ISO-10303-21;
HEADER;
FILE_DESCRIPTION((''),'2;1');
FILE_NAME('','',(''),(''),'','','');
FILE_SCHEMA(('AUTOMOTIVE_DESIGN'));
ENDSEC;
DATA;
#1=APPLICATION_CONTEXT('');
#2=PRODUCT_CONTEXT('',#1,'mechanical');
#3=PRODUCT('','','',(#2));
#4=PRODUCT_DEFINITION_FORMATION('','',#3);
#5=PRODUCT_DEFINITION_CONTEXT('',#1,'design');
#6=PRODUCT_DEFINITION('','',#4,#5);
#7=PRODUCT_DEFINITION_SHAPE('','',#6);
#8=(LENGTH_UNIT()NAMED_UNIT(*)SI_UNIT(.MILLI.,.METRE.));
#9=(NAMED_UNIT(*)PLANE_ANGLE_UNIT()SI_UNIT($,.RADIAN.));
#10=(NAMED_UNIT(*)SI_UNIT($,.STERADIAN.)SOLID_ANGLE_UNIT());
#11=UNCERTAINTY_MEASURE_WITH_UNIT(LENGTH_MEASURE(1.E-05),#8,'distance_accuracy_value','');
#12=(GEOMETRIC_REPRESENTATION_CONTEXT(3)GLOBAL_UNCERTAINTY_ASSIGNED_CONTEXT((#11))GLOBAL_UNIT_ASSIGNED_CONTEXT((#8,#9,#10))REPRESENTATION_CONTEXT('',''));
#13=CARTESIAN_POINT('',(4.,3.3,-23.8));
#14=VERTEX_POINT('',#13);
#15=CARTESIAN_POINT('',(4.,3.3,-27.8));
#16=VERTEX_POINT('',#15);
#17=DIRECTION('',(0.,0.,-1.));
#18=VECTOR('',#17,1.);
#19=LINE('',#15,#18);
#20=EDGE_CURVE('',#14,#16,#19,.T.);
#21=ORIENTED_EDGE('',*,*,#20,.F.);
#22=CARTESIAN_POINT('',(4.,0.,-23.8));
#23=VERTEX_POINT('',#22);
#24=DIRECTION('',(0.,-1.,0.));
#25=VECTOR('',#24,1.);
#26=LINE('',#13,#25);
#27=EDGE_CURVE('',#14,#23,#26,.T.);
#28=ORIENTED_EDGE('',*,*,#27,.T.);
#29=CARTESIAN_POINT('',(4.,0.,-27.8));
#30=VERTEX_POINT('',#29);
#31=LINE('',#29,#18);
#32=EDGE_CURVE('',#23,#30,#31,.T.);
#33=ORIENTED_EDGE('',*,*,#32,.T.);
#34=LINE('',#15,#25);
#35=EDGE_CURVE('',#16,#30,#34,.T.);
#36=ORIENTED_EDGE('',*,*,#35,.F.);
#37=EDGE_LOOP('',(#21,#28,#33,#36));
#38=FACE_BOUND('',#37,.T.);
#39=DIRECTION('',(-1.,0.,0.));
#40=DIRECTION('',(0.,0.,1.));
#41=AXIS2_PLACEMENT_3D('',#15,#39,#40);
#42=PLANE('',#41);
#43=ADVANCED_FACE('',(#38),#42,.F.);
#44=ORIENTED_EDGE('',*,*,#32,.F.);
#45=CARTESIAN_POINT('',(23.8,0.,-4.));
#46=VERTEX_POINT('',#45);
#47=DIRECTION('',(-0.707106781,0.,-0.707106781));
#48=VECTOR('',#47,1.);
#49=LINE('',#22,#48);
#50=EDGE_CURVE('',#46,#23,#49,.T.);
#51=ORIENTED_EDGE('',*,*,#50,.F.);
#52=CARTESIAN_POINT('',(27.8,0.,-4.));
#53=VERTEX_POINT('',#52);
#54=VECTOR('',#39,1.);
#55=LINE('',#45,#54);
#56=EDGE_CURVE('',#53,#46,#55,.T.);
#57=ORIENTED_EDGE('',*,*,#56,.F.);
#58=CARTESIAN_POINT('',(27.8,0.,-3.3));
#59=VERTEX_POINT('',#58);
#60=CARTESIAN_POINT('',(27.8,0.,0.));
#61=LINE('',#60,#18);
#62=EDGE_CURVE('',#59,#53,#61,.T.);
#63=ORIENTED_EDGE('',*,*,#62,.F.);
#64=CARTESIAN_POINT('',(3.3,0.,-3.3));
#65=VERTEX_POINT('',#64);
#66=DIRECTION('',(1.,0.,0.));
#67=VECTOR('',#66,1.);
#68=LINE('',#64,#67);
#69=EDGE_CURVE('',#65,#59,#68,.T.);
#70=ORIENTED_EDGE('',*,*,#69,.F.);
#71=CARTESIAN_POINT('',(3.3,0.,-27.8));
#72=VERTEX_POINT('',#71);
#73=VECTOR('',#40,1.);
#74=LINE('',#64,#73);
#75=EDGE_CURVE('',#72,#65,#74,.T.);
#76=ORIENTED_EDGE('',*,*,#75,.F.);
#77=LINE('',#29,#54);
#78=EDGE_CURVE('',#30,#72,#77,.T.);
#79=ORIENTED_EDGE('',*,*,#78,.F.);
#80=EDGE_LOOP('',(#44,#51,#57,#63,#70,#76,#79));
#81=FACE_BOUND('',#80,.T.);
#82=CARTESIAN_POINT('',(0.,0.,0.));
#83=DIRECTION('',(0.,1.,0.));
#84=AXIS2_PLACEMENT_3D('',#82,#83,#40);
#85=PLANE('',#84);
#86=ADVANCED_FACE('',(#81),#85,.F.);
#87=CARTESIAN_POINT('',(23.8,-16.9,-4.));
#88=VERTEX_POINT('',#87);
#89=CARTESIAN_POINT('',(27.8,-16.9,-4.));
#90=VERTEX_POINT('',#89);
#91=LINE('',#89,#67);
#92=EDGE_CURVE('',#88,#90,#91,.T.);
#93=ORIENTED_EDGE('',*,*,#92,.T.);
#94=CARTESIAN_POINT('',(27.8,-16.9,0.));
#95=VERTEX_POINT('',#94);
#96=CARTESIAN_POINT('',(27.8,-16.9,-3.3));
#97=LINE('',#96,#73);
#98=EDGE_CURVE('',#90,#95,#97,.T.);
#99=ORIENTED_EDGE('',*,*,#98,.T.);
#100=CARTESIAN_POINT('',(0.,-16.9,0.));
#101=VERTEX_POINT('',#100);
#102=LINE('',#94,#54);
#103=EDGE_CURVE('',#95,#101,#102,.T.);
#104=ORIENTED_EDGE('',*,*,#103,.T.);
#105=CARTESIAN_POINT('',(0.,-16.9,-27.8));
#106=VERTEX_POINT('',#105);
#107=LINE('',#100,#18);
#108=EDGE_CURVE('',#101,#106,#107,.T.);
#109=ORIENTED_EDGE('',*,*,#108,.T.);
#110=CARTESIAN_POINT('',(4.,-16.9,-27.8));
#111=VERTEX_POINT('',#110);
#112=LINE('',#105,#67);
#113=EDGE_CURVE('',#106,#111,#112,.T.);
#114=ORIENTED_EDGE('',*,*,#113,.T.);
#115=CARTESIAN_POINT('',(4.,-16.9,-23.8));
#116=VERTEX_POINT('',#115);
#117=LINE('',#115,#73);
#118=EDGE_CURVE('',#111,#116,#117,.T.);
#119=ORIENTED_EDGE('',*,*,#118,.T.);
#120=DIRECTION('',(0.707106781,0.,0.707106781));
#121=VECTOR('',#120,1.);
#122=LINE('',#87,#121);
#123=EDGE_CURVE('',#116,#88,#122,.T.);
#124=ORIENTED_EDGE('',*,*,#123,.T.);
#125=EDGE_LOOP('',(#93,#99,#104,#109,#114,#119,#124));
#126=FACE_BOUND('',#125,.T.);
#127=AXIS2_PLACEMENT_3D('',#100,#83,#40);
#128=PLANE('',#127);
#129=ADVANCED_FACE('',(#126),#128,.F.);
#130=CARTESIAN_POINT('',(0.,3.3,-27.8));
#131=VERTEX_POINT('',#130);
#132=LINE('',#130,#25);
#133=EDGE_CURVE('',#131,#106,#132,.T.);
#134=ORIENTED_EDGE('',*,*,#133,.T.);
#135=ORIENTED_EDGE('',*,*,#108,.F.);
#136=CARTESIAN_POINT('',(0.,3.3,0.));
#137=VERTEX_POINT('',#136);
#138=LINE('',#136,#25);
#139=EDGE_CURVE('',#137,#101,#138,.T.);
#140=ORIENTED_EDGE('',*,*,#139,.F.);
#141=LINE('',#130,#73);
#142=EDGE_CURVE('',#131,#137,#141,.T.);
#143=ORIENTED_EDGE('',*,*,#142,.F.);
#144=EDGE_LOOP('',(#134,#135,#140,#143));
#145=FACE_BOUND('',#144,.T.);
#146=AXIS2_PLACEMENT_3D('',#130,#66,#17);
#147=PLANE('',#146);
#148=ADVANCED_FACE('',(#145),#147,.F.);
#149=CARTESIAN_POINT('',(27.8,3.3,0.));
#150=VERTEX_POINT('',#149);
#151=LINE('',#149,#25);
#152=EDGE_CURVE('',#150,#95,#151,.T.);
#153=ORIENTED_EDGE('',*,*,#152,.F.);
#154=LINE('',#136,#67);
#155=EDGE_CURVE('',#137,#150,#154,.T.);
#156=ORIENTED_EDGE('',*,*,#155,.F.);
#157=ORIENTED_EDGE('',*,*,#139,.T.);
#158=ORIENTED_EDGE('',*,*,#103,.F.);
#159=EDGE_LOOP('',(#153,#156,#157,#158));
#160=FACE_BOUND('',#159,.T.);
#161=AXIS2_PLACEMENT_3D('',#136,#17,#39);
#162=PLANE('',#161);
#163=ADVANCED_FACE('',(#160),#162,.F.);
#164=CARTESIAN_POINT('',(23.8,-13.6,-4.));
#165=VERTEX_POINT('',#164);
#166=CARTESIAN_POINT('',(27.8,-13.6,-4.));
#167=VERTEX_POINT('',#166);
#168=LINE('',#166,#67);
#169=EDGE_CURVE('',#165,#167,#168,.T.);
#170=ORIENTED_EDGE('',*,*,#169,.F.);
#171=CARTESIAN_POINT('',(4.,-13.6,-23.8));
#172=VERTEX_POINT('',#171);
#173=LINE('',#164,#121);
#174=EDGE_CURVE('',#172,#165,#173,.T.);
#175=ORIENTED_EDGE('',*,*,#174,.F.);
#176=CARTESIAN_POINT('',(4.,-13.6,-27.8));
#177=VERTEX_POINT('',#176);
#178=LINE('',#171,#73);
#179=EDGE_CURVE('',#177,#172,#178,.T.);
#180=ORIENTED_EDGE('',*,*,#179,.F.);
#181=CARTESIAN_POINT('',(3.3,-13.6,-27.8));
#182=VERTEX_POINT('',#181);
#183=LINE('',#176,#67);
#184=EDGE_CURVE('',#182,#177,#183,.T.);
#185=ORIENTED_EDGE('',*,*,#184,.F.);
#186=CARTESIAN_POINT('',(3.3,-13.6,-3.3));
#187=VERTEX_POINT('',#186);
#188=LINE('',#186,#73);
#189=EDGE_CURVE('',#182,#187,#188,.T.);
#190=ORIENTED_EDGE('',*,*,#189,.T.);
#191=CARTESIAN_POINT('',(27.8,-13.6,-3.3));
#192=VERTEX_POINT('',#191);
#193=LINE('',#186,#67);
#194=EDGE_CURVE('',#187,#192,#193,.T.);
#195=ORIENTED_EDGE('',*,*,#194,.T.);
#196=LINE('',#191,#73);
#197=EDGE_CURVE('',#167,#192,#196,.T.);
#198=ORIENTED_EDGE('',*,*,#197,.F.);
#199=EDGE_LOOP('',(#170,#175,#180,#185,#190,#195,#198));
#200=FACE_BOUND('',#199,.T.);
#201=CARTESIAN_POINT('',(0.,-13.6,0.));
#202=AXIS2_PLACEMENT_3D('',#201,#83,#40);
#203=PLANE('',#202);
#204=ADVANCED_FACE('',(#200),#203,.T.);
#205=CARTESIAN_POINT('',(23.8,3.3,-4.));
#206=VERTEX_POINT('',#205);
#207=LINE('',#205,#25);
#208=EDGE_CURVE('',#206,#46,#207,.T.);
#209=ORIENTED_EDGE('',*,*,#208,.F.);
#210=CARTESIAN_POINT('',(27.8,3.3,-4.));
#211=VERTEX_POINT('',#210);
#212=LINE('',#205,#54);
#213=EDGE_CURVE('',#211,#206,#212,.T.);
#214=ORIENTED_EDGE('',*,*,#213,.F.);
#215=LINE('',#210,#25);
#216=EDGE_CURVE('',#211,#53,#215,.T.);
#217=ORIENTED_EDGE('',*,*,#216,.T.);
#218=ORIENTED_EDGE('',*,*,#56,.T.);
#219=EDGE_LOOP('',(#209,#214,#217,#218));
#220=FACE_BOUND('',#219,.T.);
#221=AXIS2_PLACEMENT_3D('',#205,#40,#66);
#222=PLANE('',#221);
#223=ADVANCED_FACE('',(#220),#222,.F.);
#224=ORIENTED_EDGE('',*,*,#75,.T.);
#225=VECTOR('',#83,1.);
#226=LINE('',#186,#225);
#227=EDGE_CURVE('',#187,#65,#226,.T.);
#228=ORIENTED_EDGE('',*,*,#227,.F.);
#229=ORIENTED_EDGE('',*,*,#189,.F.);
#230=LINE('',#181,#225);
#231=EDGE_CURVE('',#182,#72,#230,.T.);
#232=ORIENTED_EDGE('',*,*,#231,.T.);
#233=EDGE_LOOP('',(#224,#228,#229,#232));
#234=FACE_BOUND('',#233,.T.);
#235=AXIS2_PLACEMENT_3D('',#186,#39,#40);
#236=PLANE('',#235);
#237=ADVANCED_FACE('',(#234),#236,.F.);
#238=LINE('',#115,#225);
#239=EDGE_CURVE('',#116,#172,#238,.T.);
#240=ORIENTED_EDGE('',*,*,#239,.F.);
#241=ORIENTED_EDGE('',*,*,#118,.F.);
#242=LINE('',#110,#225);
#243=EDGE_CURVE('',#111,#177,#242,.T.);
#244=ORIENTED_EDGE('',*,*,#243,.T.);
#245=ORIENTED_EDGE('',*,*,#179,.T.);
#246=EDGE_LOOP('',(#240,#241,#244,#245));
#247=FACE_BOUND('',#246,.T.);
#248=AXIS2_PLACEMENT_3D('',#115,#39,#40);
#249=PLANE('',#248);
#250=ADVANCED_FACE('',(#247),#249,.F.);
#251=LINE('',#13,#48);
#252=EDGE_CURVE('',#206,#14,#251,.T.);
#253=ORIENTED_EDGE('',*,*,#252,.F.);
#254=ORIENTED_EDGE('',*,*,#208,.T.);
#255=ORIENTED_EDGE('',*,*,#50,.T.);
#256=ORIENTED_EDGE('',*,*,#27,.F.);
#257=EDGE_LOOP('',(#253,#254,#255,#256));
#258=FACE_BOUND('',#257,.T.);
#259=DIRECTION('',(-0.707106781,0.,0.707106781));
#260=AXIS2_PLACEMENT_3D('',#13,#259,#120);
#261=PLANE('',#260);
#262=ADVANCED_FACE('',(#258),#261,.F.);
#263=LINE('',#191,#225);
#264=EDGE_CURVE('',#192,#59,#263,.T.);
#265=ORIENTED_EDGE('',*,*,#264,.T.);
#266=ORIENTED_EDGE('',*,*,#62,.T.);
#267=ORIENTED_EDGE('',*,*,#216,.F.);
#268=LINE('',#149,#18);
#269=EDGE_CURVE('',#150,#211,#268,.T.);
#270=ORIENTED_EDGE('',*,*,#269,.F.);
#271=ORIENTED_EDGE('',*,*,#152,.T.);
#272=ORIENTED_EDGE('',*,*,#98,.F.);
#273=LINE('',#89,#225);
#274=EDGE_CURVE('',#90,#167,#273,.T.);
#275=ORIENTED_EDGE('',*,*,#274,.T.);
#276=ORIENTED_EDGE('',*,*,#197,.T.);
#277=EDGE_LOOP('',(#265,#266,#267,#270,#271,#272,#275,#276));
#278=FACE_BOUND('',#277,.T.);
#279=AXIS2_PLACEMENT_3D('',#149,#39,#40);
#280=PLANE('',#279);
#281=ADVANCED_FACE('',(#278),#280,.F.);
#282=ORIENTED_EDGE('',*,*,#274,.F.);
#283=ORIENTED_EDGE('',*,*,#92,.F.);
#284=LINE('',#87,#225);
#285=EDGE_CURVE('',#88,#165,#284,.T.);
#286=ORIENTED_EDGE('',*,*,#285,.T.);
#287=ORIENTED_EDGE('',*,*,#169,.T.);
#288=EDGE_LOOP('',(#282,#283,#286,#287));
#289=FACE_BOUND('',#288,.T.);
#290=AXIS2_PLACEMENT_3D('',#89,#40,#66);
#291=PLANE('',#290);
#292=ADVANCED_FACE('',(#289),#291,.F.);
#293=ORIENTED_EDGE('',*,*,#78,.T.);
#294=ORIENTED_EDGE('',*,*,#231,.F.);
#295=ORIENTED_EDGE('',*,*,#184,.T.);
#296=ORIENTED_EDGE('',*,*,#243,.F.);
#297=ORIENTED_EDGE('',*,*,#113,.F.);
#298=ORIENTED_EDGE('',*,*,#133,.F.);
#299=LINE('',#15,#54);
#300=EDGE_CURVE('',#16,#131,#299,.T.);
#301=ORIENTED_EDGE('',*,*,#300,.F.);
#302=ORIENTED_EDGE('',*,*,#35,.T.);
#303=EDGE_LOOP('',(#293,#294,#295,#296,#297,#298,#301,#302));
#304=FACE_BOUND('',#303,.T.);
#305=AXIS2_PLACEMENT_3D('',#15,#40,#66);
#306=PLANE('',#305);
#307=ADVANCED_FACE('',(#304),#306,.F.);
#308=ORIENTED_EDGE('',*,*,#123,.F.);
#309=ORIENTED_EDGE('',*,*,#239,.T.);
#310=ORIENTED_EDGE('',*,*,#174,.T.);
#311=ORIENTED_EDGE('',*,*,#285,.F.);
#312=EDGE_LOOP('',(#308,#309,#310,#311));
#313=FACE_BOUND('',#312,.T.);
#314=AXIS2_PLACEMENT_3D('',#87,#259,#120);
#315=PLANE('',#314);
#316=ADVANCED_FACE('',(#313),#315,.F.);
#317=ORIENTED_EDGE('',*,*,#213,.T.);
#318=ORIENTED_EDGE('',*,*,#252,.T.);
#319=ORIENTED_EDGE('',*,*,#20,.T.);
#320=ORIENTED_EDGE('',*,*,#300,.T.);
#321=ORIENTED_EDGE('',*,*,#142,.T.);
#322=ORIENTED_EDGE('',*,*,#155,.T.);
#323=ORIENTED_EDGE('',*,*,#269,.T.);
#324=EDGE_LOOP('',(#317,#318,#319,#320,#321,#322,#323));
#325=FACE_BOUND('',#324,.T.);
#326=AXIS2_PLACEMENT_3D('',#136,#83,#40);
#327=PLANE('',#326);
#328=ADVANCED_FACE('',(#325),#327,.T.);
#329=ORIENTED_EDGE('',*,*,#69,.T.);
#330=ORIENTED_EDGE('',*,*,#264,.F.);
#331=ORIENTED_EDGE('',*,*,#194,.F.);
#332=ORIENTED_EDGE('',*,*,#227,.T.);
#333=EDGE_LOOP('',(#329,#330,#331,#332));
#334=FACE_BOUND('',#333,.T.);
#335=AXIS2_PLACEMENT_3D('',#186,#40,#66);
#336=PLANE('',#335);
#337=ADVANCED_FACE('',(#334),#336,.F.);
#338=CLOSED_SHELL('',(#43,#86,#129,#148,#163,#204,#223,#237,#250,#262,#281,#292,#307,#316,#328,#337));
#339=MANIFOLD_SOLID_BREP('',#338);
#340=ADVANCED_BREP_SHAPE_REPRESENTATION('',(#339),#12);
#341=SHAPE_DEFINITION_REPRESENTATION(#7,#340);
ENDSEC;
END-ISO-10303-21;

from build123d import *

# Parameters (mm, degrees)
BOSS_EXTRUDE1_DEPTH = 3.3
BOSS_EXTRUDE2_DEPTH = 13.6
BOSS_EXTRUDE3_DEPTH = 3.3


with BuildPart() as part:
    # Sketch1 → Boss-Extrude1 (new body)
    with BuildSketch(Plane(origin=(0, 0, 0), x_dir=(1, 0, 0), z_dir=(0, 1, 0))):
        Polygon((0, 0), (27.8, 0), (27.8, 4), (23.8, 4), (4, 23.8), (4, 27.8), (0, 27.8), align=None)
    extrude(amount=BOSS_EXTRUDE1_DEPTH)

    # Sketch2 → Boss-Extrude2 (add)
    with BuildSketch(Plane.XZ):
        Polygon((0, 0), (27.8, 0), (27.8, -3.3), (3.3, -3.3), (3.3, -27.8), (0, -27.8), align=None)
    extrude(amount=BOSS_EXTRUDE2_DEPTH)

    # Sketch3 → Boss-Extrude3 (add)
    with BuildSketch(Plane.XZ.offset(13.6)):
        Polygon((27.8, -3.3), (27.8, 0), (0, 0), (0, -27.8), (3.3, -27.8), (4, -27.8), (4, -23.8), (23.8, -4), (27.8, -4), align=None)
    extrude(amount=BOSS_EXTRUDE3_DEPTH)


solid = part.part
